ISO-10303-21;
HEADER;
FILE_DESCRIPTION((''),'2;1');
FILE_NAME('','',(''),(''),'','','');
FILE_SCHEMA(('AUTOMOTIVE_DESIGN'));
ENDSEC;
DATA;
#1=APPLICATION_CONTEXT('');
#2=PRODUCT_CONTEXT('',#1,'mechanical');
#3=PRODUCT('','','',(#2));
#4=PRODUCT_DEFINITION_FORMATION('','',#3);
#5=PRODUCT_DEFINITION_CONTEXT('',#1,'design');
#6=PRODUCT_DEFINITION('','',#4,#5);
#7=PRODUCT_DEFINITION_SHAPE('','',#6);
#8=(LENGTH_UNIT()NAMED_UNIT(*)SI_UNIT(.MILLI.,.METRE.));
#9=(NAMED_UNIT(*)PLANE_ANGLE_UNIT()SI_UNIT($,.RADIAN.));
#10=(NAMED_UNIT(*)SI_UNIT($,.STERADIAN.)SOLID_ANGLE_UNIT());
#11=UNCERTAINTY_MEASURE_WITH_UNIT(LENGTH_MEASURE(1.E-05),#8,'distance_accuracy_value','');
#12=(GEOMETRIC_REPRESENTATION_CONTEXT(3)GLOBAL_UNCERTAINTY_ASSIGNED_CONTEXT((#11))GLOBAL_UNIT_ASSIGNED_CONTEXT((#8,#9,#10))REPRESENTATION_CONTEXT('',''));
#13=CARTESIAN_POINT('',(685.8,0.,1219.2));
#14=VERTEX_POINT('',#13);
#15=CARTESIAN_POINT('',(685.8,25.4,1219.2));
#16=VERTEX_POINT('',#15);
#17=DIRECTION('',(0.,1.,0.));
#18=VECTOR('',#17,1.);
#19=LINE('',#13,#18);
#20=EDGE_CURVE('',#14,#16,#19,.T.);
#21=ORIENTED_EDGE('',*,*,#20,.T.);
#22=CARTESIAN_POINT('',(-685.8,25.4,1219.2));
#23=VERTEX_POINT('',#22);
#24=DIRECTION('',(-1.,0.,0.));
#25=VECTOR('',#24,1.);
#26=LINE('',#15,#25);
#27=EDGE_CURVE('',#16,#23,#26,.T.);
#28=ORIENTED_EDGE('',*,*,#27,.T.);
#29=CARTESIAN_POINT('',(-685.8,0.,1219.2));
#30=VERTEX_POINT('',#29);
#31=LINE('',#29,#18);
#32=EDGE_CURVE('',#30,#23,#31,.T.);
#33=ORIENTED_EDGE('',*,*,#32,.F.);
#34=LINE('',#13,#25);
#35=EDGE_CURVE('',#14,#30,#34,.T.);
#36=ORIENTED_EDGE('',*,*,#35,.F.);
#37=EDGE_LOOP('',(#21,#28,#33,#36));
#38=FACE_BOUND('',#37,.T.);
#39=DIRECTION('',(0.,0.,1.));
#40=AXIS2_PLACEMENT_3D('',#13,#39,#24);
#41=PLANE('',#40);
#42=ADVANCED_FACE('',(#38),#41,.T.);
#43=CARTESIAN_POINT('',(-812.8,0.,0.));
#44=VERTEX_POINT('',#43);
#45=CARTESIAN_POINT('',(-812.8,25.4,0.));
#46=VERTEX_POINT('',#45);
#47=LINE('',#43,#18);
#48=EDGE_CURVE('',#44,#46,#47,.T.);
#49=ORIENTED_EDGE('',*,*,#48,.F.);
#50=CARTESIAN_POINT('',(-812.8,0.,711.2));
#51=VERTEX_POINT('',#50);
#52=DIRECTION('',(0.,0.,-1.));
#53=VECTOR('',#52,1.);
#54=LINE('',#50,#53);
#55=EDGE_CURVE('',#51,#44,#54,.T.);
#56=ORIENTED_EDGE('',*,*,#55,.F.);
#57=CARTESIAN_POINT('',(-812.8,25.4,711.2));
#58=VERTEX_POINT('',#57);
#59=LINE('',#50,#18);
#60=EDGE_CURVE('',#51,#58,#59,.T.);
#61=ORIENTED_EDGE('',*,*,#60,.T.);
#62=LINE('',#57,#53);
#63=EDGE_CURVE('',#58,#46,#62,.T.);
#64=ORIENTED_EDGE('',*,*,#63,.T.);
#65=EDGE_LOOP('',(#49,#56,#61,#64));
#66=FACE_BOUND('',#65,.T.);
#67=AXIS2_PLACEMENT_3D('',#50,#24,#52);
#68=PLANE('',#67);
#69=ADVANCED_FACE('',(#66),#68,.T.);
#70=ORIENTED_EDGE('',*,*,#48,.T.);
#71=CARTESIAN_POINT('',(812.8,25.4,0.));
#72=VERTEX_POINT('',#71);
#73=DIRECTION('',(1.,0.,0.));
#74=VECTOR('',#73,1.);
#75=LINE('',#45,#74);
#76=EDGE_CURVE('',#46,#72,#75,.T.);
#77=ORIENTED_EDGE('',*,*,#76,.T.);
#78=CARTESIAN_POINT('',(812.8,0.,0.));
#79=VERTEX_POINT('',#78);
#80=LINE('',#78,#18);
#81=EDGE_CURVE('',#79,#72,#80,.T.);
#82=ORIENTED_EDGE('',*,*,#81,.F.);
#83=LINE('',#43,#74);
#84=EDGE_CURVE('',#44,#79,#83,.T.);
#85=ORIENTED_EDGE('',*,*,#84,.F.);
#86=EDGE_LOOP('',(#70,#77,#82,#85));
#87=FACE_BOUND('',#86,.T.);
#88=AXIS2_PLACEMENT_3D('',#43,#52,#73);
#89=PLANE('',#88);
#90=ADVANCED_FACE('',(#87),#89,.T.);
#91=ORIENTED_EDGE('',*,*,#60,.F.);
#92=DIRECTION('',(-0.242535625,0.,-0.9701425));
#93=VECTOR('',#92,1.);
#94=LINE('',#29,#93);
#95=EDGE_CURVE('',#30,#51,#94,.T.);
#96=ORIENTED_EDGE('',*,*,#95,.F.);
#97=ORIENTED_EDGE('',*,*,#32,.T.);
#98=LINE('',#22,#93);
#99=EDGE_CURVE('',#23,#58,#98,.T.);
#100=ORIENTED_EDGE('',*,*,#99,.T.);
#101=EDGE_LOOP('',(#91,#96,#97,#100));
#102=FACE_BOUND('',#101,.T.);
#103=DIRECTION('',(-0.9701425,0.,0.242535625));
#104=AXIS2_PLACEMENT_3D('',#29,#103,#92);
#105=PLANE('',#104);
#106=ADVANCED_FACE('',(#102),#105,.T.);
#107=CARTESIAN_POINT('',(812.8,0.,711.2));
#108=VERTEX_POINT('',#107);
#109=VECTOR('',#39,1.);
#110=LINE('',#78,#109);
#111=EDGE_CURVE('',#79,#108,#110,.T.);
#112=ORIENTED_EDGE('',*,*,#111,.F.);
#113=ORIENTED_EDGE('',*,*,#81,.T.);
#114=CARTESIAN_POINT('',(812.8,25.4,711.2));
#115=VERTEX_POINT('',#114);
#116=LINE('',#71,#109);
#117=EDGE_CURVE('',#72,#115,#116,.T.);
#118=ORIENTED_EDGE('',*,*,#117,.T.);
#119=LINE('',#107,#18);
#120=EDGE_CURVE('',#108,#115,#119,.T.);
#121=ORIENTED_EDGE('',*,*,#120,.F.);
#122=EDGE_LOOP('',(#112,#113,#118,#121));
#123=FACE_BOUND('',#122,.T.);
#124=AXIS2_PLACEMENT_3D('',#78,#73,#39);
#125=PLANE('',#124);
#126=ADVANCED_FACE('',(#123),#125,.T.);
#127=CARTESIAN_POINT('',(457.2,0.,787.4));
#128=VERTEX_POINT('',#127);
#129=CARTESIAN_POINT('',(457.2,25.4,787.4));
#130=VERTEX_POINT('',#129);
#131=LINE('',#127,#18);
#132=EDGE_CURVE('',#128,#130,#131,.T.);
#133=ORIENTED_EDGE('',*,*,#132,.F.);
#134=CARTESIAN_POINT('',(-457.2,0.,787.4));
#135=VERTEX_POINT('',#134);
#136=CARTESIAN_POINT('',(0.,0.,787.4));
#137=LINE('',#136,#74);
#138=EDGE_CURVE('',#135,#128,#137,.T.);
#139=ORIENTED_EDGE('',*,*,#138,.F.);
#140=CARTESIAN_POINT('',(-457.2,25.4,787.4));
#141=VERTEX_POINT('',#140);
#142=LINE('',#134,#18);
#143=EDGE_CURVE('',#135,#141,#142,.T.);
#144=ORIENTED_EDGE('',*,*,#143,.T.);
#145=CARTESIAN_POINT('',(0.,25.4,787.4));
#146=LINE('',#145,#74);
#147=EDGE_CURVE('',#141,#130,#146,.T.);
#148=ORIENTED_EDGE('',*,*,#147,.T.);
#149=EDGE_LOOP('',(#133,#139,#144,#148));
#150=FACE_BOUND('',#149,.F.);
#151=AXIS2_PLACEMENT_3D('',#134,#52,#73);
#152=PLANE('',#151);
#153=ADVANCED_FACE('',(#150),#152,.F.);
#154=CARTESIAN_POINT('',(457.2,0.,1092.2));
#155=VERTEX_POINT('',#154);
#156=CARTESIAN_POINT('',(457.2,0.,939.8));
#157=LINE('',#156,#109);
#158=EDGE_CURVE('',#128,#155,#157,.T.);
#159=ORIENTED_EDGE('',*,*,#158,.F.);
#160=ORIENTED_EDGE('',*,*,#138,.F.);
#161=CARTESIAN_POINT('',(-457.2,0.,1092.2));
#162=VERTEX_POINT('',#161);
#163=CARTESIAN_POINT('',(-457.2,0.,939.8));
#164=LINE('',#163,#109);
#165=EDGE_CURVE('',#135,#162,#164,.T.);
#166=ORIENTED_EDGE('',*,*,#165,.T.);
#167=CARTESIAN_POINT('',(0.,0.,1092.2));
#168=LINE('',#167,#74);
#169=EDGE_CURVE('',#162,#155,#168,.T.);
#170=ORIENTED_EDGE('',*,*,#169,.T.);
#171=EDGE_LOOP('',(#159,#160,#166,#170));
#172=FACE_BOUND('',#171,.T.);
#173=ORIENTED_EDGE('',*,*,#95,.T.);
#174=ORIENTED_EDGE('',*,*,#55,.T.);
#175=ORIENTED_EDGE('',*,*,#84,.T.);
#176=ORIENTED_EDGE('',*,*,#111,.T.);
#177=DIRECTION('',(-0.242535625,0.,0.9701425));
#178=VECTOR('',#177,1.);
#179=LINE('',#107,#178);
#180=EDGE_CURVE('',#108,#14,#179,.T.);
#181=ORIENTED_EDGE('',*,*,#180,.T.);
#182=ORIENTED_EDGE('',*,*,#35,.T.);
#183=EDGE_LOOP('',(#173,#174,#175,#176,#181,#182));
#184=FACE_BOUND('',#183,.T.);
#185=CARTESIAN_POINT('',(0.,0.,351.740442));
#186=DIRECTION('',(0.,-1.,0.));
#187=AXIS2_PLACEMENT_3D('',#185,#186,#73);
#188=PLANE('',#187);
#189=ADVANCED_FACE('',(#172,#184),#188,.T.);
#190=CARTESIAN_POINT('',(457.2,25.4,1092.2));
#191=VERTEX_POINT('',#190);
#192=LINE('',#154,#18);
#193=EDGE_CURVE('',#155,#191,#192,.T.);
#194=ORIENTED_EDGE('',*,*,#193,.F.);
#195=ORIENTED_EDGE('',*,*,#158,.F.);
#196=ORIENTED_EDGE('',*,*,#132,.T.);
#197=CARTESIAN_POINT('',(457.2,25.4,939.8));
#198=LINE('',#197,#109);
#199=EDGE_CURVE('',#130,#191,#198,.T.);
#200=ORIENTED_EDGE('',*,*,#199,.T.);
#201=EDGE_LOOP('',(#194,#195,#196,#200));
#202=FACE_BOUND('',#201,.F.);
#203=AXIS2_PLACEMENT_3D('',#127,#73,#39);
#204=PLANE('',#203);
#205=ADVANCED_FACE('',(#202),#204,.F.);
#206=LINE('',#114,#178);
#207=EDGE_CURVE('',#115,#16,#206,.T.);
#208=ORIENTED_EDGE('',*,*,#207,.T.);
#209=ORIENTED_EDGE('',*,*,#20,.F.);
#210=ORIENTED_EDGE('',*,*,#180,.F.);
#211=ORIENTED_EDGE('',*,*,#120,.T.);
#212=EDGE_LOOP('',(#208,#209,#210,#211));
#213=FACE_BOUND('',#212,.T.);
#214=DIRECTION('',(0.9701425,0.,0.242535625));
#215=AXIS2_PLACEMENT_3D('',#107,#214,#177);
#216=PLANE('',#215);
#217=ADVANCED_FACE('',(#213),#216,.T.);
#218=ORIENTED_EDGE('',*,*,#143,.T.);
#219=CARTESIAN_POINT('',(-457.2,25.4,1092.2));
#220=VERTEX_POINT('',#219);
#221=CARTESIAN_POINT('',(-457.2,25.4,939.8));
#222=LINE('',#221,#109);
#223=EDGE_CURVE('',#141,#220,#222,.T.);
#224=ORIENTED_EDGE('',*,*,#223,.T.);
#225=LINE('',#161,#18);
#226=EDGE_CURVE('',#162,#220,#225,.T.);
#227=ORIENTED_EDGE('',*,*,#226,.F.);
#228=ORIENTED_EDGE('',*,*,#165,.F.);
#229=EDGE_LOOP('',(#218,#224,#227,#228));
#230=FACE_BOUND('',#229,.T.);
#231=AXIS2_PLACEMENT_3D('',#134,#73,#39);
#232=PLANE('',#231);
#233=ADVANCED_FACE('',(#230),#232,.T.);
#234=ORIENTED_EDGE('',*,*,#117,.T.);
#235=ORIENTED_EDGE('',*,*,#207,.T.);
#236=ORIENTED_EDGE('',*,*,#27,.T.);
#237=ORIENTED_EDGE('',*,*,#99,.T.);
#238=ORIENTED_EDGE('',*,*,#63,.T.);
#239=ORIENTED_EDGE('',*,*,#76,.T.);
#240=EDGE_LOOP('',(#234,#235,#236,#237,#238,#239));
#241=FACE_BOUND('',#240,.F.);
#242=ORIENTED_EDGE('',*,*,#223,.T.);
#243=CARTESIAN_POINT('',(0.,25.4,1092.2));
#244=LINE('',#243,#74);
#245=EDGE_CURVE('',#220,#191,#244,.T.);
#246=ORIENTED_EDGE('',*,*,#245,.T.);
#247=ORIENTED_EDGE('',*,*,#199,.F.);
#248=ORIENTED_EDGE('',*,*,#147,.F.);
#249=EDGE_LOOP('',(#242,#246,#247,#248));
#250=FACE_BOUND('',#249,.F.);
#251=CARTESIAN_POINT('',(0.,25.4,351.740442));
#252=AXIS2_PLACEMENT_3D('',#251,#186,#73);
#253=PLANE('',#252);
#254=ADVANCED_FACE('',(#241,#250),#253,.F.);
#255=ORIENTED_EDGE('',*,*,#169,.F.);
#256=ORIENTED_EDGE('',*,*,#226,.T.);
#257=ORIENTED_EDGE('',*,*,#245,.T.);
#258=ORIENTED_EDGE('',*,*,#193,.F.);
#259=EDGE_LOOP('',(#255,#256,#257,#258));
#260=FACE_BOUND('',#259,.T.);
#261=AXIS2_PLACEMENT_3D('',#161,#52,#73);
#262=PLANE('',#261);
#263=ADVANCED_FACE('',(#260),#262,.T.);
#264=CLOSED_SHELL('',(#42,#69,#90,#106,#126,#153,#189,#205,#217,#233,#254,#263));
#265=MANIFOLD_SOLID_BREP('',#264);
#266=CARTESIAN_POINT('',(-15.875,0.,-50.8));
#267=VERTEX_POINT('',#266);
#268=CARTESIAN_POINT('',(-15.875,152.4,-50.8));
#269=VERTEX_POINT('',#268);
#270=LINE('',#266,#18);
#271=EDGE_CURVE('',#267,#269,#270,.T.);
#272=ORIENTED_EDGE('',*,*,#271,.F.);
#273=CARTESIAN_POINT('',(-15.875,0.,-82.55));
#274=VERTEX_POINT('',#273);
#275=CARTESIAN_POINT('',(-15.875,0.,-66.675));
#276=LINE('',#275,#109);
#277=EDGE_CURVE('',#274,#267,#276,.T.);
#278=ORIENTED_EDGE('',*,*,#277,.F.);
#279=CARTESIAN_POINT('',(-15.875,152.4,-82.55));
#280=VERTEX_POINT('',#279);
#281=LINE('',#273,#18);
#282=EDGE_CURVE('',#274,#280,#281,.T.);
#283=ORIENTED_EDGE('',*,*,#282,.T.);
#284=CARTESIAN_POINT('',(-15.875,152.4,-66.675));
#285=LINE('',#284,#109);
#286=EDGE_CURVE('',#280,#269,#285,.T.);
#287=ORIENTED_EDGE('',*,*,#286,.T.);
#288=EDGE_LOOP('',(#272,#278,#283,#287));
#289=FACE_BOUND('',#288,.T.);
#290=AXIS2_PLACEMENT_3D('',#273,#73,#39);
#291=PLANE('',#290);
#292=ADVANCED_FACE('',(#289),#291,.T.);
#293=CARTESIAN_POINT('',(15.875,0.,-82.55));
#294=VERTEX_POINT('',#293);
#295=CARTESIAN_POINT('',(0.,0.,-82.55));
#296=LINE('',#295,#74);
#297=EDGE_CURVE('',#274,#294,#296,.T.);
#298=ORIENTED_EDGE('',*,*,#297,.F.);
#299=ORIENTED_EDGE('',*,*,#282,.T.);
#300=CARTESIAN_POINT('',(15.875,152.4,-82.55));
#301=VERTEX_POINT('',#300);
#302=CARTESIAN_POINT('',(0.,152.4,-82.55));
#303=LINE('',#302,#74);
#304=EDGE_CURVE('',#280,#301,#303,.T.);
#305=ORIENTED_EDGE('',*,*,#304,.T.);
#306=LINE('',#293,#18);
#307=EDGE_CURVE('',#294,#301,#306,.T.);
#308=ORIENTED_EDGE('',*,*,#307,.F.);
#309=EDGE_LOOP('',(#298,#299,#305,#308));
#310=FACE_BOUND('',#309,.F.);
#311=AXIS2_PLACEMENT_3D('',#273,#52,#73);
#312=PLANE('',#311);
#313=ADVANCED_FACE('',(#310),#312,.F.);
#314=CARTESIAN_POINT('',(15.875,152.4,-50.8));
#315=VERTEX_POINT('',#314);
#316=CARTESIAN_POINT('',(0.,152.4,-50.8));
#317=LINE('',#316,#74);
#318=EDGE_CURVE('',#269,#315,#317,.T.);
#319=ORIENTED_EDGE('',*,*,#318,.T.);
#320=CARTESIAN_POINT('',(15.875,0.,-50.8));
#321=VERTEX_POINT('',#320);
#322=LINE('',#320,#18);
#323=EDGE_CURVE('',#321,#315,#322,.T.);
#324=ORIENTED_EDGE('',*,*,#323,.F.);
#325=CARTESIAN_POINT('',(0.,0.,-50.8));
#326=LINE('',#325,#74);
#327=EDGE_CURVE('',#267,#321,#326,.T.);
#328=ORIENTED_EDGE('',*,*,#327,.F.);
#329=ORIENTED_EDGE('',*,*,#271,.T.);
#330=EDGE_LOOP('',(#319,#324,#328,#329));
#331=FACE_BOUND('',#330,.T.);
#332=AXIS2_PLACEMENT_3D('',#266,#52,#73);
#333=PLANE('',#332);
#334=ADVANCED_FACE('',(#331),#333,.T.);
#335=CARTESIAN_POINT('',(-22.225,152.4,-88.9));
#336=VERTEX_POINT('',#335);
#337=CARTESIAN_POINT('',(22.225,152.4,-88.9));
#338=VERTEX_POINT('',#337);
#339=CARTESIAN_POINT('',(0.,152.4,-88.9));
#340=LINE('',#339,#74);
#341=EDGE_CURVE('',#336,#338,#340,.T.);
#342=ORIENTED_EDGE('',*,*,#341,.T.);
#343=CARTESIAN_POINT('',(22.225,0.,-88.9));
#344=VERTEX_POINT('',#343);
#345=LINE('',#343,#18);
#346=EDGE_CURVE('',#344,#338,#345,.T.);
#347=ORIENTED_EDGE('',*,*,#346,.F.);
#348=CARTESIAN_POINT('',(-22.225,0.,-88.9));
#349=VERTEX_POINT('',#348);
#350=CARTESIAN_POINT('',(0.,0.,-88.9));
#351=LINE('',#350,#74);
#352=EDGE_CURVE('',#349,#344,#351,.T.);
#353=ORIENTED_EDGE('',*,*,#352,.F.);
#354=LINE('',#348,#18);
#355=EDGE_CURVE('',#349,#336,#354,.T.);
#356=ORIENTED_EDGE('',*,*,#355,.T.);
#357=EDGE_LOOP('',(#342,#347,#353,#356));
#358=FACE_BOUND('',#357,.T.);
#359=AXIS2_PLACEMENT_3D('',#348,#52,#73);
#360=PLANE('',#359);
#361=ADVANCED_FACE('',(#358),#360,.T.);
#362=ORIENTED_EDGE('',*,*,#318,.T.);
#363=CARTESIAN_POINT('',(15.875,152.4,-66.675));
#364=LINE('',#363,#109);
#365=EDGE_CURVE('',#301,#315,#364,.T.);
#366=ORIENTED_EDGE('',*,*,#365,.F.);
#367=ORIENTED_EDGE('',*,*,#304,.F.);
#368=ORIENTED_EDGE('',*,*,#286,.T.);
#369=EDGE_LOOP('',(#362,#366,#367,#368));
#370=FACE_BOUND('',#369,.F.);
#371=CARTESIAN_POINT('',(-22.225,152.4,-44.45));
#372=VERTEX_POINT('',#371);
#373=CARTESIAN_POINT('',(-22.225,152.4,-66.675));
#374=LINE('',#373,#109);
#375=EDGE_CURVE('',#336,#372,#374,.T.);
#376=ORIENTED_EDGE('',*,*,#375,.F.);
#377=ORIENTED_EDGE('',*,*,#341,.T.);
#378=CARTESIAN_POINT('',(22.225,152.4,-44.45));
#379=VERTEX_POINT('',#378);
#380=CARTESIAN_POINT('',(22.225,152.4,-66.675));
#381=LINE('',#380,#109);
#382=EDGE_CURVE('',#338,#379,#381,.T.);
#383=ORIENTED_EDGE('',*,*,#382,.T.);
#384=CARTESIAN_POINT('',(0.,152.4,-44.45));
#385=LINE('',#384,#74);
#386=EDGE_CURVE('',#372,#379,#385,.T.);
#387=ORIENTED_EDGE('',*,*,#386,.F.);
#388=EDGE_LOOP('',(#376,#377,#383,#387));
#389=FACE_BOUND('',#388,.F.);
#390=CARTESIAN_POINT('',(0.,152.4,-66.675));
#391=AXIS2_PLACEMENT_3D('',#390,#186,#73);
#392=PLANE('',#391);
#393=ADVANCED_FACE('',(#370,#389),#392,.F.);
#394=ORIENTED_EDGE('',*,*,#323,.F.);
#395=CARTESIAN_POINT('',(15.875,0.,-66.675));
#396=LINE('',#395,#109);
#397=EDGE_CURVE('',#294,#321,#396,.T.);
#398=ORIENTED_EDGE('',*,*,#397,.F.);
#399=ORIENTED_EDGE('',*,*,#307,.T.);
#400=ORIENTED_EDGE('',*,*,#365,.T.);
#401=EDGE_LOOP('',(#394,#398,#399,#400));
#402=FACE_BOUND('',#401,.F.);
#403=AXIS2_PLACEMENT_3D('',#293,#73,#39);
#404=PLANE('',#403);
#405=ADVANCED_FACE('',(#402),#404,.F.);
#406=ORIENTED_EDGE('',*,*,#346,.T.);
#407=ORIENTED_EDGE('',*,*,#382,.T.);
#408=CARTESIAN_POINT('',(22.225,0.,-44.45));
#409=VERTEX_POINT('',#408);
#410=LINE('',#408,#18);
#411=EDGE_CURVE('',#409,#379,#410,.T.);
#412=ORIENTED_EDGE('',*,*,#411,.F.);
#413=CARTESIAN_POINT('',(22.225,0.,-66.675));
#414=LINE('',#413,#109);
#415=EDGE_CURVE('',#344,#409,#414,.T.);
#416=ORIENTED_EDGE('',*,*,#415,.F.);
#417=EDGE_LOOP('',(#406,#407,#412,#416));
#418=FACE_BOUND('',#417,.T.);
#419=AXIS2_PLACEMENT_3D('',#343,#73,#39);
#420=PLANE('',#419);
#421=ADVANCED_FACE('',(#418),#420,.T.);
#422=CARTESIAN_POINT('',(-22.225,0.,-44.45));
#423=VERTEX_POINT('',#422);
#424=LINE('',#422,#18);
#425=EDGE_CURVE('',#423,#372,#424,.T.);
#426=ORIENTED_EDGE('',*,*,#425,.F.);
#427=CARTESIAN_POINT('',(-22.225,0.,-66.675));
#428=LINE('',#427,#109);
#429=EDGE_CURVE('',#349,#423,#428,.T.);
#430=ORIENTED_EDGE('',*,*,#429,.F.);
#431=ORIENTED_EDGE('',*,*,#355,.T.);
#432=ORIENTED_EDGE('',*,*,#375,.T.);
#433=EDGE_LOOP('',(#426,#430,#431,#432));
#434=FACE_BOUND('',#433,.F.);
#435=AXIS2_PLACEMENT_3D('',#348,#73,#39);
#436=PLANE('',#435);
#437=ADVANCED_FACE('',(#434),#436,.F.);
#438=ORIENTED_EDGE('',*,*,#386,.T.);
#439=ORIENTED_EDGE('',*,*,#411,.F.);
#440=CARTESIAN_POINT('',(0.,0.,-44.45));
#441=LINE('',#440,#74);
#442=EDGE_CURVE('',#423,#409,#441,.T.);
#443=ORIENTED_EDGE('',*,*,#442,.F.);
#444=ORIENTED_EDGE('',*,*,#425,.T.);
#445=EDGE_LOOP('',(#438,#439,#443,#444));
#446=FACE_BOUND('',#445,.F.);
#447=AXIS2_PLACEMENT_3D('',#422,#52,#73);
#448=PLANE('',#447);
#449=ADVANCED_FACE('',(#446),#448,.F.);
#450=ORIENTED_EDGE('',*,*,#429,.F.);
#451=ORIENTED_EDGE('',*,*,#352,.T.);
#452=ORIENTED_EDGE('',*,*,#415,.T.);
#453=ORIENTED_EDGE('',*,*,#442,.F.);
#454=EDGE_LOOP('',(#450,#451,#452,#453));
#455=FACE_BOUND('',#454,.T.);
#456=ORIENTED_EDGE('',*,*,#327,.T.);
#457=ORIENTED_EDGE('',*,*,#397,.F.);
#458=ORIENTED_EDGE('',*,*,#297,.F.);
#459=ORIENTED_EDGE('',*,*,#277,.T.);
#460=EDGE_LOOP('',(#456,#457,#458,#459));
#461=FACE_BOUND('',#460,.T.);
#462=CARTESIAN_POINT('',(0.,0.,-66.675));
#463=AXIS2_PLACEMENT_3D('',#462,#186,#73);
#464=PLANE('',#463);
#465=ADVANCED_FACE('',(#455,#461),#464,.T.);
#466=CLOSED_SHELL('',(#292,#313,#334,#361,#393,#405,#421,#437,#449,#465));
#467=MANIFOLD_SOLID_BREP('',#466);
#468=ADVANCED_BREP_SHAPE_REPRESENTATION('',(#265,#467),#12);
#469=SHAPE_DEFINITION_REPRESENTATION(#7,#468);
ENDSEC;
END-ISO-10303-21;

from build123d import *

# Parameters (mm, degrees)
F0_W     = 44.45
F0_H     = 44.45
F0_W_2   = 31.75
F0_H_2   = 31.75
F1_DEPTH = 152.4
F0_W_3   = 914.4
F0_H_3   = 304.8
F2_DEPTH = 25.4


with BuildPart() as f1:
    # F0 (on Front) → F1 (new body)
    with BuildSketch(Plane.XZ):
        with Locations((0, -66.675)):
            Rectangle(F0_W, F0_H)
        with Locations((0, -66.675)):
            Rectangle(F0_W_2, F0_H_2, mode=Mode.SUBTRACT)
    extrude(amount=-F1_DEPTH)


with BuildPart() as f2:
    # F0 (on Front) → F2 (new body)
    with BuildSketch(Plane.XZ):
        Polygon((-812.8, 0), (0, 0), (812.8, 0), (812.8, 711.2), (736.6, 1016), (736.6, 228.6), (-736.6, 228.6), (-736.6, 1016), (-812.8, 711.2), align=None)
        Polygon((-685.8, 1219.2), (-736.6, 1016), (-736.6, 228.6), (736.6, 228.6), (736.6, 1016), (685.8, 1219.2), align=None)
        with Locations((0, 939.8)):
            Rectangle(F0_W_3, F0_H_3, mode=Mode.SUBTRACT)
    extrude(amount=-F2_DEPTH)


solid = Compound([f1.part, f2.part])
